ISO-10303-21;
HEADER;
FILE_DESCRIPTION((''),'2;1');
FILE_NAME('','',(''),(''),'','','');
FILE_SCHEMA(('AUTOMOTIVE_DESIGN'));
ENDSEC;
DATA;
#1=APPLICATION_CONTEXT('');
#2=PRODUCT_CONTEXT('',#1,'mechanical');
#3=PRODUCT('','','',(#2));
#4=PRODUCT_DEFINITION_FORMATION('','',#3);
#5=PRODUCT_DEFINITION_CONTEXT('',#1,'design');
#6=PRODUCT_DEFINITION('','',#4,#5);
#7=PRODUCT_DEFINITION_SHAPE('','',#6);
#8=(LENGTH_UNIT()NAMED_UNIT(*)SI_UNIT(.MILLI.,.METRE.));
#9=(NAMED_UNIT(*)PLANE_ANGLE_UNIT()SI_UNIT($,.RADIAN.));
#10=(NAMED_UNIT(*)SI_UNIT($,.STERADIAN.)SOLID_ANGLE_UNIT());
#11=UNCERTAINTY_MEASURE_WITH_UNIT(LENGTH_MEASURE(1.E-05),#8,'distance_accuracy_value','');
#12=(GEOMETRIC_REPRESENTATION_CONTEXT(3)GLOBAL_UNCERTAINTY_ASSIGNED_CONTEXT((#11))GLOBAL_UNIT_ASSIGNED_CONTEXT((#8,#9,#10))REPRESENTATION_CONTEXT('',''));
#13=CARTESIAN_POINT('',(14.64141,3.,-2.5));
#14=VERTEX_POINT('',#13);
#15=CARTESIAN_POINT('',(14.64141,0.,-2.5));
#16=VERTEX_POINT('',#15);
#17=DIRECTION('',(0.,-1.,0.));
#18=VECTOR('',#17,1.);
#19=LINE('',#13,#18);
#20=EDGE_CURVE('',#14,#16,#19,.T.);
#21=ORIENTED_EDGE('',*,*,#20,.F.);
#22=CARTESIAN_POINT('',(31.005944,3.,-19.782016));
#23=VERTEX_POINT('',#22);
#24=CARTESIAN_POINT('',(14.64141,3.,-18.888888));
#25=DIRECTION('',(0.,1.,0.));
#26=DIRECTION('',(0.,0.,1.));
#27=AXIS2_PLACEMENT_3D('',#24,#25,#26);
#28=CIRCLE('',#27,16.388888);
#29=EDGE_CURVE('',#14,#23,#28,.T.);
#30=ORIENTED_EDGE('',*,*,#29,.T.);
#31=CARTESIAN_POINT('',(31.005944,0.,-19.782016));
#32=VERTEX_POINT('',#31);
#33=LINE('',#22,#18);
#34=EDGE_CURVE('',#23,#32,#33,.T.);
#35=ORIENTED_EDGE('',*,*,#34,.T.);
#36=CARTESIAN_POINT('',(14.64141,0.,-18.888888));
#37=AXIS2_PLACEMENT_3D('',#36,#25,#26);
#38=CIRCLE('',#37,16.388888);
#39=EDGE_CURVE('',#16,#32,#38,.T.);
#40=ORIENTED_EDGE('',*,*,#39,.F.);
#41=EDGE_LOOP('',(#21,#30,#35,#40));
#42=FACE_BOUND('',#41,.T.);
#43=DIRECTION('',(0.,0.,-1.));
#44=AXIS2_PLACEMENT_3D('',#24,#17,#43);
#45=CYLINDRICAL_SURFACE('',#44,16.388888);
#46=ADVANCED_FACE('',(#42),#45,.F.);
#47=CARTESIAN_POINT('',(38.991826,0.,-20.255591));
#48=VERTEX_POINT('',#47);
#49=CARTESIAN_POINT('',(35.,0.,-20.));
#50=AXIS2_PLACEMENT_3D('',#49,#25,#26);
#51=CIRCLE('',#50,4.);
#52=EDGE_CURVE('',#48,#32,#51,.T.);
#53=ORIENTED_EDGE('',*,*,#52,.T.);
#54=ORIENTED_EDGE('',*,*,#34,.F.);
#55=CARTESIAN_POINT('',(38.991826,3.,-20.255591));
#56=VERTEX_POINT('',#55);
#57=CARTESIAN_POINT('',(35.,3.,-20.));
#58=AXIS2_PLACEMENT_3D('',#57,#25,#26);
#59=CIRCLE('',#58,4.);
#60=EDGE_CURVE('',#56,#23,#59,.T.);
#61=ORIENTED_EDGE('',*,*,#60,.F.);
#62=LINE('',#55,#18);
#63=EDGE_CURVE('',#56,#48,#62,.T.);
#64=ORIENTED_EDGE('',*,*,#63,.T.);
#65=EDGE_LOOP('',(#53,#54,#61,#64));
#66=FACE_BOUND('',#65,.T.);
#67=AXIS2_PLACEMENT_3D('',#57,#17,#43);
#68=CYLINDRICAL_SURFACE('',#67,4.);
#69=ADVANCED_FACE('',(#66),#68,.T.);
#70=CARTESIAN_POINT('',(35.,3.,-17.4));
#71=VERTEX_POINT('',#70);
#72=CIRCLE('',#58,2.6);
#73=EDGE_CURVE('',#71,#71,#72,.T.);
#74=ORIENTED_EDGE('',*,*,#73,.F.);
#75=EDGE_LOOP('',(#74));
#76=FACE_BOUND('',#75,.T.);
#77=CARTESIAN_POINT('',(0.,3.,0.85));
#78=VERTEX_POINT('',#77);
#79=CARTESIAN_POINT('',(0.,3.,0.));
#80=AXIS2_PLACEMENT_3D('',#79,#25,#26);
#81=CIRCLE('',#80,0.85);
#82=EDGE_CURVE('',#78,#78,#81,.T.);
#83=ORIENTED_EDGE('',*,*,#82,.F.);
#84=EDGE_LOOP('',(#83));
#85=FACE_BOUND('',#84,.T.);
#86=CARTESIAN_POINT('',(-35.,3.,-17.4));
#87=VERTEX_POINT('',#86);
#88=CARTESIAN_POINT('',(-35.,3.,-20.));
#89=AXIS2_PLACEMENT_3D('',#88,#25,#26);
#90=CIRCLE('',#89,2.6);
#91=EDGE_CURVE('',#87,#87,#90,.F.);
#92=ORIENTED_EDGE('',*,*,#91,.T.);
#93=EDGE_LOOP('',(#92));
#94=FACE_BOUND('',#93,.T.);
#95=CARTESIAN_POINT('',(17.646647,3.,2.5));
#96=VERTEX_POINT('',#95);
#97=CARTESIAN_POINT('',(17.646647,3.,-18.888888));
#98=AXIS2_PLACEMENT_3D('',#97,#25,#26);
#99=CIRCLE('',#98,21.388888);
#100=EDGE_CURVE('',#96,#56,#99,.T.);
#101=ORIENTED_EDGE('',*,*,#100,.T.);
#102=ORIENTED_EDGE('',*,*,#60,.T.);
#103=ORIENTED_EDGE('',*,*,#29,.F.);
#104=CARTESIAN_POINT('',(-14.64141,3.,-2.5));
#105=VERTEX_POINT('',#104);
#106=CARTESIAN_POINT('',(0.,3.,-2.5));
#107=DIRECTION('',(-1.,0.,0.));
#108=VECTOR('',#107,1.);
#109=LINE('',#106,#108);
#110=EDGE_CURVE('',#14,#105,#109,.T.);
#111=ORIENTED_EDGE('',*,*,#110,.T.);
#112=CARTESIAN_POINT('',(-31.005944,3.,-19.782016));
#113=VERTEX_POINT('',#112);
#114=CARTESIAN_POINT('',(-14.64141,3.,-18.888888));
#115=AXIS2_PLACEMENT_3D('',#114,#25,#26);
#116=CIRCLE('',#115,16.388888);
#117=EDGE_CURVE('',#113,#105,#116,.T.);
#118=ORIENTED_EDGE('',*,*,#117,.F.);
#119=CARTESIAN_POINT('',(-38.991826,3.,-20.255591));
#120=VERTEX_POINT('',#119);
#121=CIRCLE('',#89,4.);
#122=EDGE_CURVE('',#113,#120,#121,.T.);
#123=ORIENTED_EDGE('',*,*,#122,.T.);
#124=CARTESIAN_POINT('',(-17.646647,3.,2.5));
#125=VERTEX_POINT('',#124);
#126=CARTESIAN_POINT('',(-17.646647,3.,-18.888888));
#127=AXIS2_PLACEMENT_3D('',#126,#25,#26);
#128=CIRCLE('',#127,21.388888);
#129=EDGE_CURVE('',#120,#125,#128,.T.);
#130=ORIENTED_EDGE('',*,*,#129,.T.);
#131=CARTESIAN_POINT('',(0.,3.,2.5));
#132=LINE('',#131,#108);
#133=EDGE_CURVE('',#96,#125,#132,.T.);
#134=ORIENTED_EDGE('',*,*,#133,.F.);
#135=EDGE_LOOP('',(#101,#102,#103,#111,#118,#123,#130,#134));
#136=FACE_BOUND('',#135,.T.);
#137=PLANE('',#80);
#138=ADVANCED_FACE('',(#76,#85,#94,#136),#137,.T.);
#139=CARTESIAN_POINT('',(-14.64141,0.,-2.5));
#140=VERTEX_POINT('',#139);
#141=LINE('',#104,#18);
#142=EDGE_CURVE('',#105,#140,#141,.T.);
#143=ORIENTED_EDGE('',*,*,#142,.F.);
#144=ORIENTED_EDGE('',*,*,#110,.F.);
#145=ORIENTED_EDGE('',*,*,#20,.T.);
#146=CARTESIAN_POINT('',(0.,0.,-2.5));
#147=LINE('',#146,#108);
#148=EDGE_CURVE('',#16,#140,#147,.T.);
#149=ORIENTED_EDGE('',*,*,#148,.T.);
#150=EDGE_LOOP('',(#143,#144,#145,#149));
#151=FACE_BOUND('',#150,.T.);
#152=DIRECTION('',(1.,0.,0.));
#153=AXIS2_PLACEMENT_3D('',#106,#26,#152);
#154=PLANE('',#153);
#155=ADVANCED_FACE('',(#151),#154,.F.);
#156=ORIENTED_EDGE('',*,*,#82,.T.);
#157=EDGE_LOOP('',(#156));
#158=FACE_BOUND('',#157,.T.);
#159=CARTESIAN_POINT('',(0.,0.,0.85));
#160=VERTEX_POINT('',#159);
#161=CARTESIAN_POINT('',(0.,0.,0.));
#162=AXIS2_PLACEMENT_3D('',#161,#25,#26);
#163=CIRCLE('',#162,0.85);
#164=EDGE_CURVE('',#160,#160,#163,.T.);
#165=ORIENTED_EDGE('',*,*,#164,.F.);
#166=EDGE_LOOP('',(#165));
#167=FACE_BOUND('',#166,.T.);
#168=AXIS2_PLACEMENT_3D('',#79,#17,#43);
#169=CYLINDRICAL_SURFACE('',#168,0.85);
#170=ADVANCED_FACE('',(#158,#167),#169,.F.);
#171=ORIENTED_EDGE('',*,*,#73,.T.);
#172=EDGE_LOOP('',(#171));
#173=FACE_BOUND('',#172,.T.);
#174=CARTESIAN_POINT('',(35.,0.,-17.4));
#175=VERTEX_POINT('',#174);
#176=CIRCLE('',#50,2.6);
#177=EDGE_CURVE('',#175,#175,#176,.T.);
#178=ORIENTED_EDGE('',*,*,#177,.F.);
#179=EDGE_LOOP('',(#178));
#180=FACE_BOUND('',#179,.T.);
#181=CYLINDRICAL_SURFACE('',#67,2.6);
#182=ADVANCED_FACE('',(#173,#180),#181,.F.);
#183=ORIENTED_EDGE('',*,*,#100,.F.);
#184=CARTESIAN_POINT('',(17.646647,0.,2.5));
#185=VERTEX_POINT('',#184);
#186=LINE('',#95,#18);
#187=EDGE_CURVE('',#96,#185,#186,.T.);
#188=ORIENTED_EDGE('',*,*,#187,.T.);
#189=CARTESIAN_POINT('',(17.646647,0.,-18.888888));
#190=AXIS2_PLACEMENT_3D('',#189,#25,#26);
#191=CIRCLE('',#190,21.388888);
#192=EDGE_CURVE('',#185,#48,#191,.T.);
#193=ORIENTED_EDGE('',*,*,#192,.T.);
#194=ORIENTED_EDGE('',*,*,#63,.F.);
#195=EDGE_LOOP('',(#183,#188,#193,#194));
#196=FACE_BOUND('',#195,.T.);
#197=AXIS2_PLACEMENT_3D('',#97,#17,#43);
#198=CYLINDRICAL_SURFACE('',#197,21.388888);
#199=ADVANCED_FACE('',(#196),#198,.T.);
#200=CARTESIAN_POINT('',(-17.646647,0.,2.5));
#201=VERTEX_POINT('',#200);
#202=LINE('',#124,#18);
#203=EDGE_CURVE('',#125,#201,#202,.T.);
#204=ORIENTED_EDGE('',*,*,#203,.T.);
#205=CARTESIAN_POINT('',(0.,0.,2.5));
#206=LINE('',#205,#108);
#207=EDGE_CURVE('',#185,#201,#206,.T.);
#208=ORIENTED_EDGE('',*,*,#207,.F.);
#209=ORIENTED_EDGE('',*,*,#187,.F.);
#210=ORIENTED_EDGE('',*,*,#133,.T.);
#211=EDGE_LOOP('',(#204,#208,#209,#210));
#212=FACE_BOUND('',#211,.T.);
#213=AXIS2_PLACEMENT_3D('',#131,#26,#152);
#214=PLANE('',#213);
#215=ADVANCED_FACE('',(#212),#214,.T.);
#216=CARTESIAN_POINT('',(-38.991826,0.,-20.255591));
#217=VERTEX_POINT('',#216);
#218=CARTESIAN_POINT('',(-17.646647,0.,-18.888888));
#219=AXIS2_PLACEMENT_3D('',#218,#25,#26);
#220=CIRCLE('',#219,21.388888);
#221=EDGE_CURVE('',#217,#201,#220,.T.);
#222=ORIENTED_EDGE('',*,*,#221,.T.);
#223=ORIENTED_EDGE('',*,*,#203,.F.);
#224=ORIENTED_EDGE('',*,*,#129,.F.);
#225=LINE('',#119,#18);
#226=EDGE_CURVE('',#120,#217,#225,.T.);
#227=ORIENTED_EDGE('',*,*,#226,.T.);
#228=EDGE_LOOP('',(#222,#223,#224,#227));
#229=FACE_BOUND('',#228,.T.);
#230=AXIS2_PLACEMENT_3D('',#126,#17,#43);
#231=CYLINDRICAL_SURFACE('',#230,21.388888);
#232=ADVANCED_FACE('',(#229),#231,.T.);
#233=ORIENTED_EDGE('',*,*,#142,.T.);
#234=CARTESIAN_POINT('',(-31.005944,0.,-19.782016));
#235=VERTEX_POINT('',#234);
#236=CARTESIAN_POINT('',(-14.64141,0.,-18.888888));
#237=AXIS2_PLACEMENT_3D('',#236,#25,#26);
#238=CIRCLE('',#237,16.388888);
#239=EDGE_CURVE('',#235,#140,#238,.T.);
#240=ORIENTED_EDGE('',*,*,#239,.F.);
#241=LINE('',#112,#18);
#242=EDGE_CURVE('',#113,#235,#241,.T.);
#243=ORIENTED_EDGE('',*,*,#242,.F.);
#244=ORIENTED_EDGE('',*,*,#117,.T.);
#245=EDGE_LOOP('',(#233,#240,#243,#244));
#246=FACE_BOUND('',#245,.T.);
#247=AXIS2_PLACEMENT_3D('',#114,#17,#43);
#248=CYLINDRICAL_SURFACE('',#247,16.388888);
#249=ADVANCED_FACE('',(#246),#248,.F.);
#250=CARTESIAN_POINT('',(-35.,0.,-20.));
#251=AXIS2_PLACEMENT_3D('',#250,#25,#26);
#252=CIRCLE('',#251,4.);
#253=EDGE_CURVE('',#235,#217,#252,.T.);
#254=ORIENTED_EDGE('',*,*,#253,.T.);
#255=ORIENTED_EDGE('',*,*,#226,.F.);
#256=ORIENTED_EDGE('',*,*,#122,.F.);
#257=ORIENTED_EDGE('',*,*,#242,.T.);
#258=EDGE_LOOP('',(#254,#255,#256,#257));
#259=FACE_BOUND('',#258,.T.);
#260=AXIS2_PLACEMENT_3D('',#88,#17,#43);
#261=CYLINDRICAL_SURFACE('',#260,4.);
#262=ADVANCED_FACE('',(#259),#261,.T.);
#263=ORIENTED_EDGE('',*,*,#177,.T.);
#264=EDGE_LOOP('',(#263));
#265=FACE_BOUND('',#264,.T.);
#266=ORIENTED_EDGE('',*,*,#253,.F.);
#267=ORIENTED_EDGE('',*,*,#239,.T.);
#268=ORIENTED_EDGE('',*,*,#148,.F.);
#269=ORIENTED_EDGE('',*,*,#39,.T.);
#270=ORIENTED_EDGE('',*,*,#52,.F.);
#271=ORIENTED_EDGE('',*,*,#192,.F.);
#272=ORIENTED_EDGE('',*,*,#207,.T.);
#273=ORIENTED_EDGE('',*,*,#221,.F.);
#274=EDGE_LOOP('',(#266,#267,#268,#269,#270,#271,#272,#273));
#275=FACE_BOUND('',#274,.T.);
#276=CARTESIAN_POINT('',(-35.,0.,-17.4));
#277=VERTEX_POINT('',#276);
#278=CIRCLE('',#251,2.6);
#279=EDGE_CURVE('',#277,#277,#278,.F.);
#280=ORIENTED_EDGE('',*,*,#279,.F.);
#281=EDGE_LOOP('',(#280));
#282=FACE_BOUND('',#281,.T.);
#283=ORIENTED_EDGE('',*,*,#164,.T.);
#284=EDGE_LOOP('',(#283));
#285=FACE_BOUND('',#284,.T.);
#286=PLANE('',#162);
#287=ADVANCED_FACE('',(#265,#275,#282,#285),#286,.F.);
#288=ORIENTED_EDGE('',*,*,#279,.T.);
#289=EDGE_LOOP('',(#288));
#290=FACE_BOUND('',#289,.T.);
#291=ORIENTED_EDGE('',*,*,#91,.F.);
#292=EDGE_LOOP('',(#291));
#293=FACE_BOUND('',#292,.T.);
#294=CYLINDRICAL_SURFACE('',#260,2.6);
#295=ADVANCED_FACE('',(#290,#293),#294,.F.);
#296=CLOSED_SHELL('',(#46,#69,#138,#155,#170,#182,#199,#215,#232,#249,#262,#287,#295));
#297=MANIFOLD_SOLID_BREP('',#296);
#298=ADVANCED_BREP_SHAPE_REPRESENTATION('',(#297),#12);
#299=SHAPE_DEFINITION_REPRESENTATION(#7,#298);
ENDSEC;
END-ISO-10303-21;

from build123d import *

# Parameters (mm, degrees)
SKETCH_1_R      = 2.6
SKETCH_1_R_2    = 0.85
EXTRUDE_1_DEPTH = 3


with BuildPart() as part:
    # 草图1 → 凸台-拉伸1 (new body)
    with BuildSketch(Plane(origin=(0, 0, 0), x_dir=(1, 0, 0), z_dir=(0, 1, 0))):
        with BuildLine():
            Line((14.641409653, 2.5), (-14.641409653, 2.5))
            ThreePointArc((-14.641409653, 2.5), (-26.541683504, 7.620386051), (-31.005944031, 19.782016246))
            ThreePointArc((-31.005944031, 19.782016246), (-34.76320991, 23.992985156), (-38.991825792, 20.255591176))
            ThreePointArc((-38.991825792, 20.255591176), (-33.246595423, 4.255838584), (-17.646646706, -2.5))
            Line((-17.646646706, -2.5), (17.646646706, -2.5))
            ThreePointArc((17.646646706, -2.5), (33.246595423, 4.255838584), (38.991825792, 20.255591176))
            ThreePointArc((38.991825792, 20.255591176), (34.76320991, 23.992985156), (31.005944031, 19.782016246))
            ThreePointArc((31.005944031, 19.782016246), (26.541683504, 7.620386051), (14.641409653, 2.5))
        make_face()
        with Locations(Location((35, 20, 0), (0, 0, 270))):
            Circle(SKETCH_1_R, mode=Mode.SUBTRACT)
        with Locations(Location((-35, 20, 0), (0, 0, 270))):
            Circle(SKETCH_1_R, mode=Mode.SUBTRACT)
        with Locations(Location((0, 0, 0), (0, 0, 270))):
            Circle(SKETCH_1_R_2, mode=Mode.SUBTRACT)
    extrude(amount=EXTRUDE_1_DEPTH)


solid = part.part
